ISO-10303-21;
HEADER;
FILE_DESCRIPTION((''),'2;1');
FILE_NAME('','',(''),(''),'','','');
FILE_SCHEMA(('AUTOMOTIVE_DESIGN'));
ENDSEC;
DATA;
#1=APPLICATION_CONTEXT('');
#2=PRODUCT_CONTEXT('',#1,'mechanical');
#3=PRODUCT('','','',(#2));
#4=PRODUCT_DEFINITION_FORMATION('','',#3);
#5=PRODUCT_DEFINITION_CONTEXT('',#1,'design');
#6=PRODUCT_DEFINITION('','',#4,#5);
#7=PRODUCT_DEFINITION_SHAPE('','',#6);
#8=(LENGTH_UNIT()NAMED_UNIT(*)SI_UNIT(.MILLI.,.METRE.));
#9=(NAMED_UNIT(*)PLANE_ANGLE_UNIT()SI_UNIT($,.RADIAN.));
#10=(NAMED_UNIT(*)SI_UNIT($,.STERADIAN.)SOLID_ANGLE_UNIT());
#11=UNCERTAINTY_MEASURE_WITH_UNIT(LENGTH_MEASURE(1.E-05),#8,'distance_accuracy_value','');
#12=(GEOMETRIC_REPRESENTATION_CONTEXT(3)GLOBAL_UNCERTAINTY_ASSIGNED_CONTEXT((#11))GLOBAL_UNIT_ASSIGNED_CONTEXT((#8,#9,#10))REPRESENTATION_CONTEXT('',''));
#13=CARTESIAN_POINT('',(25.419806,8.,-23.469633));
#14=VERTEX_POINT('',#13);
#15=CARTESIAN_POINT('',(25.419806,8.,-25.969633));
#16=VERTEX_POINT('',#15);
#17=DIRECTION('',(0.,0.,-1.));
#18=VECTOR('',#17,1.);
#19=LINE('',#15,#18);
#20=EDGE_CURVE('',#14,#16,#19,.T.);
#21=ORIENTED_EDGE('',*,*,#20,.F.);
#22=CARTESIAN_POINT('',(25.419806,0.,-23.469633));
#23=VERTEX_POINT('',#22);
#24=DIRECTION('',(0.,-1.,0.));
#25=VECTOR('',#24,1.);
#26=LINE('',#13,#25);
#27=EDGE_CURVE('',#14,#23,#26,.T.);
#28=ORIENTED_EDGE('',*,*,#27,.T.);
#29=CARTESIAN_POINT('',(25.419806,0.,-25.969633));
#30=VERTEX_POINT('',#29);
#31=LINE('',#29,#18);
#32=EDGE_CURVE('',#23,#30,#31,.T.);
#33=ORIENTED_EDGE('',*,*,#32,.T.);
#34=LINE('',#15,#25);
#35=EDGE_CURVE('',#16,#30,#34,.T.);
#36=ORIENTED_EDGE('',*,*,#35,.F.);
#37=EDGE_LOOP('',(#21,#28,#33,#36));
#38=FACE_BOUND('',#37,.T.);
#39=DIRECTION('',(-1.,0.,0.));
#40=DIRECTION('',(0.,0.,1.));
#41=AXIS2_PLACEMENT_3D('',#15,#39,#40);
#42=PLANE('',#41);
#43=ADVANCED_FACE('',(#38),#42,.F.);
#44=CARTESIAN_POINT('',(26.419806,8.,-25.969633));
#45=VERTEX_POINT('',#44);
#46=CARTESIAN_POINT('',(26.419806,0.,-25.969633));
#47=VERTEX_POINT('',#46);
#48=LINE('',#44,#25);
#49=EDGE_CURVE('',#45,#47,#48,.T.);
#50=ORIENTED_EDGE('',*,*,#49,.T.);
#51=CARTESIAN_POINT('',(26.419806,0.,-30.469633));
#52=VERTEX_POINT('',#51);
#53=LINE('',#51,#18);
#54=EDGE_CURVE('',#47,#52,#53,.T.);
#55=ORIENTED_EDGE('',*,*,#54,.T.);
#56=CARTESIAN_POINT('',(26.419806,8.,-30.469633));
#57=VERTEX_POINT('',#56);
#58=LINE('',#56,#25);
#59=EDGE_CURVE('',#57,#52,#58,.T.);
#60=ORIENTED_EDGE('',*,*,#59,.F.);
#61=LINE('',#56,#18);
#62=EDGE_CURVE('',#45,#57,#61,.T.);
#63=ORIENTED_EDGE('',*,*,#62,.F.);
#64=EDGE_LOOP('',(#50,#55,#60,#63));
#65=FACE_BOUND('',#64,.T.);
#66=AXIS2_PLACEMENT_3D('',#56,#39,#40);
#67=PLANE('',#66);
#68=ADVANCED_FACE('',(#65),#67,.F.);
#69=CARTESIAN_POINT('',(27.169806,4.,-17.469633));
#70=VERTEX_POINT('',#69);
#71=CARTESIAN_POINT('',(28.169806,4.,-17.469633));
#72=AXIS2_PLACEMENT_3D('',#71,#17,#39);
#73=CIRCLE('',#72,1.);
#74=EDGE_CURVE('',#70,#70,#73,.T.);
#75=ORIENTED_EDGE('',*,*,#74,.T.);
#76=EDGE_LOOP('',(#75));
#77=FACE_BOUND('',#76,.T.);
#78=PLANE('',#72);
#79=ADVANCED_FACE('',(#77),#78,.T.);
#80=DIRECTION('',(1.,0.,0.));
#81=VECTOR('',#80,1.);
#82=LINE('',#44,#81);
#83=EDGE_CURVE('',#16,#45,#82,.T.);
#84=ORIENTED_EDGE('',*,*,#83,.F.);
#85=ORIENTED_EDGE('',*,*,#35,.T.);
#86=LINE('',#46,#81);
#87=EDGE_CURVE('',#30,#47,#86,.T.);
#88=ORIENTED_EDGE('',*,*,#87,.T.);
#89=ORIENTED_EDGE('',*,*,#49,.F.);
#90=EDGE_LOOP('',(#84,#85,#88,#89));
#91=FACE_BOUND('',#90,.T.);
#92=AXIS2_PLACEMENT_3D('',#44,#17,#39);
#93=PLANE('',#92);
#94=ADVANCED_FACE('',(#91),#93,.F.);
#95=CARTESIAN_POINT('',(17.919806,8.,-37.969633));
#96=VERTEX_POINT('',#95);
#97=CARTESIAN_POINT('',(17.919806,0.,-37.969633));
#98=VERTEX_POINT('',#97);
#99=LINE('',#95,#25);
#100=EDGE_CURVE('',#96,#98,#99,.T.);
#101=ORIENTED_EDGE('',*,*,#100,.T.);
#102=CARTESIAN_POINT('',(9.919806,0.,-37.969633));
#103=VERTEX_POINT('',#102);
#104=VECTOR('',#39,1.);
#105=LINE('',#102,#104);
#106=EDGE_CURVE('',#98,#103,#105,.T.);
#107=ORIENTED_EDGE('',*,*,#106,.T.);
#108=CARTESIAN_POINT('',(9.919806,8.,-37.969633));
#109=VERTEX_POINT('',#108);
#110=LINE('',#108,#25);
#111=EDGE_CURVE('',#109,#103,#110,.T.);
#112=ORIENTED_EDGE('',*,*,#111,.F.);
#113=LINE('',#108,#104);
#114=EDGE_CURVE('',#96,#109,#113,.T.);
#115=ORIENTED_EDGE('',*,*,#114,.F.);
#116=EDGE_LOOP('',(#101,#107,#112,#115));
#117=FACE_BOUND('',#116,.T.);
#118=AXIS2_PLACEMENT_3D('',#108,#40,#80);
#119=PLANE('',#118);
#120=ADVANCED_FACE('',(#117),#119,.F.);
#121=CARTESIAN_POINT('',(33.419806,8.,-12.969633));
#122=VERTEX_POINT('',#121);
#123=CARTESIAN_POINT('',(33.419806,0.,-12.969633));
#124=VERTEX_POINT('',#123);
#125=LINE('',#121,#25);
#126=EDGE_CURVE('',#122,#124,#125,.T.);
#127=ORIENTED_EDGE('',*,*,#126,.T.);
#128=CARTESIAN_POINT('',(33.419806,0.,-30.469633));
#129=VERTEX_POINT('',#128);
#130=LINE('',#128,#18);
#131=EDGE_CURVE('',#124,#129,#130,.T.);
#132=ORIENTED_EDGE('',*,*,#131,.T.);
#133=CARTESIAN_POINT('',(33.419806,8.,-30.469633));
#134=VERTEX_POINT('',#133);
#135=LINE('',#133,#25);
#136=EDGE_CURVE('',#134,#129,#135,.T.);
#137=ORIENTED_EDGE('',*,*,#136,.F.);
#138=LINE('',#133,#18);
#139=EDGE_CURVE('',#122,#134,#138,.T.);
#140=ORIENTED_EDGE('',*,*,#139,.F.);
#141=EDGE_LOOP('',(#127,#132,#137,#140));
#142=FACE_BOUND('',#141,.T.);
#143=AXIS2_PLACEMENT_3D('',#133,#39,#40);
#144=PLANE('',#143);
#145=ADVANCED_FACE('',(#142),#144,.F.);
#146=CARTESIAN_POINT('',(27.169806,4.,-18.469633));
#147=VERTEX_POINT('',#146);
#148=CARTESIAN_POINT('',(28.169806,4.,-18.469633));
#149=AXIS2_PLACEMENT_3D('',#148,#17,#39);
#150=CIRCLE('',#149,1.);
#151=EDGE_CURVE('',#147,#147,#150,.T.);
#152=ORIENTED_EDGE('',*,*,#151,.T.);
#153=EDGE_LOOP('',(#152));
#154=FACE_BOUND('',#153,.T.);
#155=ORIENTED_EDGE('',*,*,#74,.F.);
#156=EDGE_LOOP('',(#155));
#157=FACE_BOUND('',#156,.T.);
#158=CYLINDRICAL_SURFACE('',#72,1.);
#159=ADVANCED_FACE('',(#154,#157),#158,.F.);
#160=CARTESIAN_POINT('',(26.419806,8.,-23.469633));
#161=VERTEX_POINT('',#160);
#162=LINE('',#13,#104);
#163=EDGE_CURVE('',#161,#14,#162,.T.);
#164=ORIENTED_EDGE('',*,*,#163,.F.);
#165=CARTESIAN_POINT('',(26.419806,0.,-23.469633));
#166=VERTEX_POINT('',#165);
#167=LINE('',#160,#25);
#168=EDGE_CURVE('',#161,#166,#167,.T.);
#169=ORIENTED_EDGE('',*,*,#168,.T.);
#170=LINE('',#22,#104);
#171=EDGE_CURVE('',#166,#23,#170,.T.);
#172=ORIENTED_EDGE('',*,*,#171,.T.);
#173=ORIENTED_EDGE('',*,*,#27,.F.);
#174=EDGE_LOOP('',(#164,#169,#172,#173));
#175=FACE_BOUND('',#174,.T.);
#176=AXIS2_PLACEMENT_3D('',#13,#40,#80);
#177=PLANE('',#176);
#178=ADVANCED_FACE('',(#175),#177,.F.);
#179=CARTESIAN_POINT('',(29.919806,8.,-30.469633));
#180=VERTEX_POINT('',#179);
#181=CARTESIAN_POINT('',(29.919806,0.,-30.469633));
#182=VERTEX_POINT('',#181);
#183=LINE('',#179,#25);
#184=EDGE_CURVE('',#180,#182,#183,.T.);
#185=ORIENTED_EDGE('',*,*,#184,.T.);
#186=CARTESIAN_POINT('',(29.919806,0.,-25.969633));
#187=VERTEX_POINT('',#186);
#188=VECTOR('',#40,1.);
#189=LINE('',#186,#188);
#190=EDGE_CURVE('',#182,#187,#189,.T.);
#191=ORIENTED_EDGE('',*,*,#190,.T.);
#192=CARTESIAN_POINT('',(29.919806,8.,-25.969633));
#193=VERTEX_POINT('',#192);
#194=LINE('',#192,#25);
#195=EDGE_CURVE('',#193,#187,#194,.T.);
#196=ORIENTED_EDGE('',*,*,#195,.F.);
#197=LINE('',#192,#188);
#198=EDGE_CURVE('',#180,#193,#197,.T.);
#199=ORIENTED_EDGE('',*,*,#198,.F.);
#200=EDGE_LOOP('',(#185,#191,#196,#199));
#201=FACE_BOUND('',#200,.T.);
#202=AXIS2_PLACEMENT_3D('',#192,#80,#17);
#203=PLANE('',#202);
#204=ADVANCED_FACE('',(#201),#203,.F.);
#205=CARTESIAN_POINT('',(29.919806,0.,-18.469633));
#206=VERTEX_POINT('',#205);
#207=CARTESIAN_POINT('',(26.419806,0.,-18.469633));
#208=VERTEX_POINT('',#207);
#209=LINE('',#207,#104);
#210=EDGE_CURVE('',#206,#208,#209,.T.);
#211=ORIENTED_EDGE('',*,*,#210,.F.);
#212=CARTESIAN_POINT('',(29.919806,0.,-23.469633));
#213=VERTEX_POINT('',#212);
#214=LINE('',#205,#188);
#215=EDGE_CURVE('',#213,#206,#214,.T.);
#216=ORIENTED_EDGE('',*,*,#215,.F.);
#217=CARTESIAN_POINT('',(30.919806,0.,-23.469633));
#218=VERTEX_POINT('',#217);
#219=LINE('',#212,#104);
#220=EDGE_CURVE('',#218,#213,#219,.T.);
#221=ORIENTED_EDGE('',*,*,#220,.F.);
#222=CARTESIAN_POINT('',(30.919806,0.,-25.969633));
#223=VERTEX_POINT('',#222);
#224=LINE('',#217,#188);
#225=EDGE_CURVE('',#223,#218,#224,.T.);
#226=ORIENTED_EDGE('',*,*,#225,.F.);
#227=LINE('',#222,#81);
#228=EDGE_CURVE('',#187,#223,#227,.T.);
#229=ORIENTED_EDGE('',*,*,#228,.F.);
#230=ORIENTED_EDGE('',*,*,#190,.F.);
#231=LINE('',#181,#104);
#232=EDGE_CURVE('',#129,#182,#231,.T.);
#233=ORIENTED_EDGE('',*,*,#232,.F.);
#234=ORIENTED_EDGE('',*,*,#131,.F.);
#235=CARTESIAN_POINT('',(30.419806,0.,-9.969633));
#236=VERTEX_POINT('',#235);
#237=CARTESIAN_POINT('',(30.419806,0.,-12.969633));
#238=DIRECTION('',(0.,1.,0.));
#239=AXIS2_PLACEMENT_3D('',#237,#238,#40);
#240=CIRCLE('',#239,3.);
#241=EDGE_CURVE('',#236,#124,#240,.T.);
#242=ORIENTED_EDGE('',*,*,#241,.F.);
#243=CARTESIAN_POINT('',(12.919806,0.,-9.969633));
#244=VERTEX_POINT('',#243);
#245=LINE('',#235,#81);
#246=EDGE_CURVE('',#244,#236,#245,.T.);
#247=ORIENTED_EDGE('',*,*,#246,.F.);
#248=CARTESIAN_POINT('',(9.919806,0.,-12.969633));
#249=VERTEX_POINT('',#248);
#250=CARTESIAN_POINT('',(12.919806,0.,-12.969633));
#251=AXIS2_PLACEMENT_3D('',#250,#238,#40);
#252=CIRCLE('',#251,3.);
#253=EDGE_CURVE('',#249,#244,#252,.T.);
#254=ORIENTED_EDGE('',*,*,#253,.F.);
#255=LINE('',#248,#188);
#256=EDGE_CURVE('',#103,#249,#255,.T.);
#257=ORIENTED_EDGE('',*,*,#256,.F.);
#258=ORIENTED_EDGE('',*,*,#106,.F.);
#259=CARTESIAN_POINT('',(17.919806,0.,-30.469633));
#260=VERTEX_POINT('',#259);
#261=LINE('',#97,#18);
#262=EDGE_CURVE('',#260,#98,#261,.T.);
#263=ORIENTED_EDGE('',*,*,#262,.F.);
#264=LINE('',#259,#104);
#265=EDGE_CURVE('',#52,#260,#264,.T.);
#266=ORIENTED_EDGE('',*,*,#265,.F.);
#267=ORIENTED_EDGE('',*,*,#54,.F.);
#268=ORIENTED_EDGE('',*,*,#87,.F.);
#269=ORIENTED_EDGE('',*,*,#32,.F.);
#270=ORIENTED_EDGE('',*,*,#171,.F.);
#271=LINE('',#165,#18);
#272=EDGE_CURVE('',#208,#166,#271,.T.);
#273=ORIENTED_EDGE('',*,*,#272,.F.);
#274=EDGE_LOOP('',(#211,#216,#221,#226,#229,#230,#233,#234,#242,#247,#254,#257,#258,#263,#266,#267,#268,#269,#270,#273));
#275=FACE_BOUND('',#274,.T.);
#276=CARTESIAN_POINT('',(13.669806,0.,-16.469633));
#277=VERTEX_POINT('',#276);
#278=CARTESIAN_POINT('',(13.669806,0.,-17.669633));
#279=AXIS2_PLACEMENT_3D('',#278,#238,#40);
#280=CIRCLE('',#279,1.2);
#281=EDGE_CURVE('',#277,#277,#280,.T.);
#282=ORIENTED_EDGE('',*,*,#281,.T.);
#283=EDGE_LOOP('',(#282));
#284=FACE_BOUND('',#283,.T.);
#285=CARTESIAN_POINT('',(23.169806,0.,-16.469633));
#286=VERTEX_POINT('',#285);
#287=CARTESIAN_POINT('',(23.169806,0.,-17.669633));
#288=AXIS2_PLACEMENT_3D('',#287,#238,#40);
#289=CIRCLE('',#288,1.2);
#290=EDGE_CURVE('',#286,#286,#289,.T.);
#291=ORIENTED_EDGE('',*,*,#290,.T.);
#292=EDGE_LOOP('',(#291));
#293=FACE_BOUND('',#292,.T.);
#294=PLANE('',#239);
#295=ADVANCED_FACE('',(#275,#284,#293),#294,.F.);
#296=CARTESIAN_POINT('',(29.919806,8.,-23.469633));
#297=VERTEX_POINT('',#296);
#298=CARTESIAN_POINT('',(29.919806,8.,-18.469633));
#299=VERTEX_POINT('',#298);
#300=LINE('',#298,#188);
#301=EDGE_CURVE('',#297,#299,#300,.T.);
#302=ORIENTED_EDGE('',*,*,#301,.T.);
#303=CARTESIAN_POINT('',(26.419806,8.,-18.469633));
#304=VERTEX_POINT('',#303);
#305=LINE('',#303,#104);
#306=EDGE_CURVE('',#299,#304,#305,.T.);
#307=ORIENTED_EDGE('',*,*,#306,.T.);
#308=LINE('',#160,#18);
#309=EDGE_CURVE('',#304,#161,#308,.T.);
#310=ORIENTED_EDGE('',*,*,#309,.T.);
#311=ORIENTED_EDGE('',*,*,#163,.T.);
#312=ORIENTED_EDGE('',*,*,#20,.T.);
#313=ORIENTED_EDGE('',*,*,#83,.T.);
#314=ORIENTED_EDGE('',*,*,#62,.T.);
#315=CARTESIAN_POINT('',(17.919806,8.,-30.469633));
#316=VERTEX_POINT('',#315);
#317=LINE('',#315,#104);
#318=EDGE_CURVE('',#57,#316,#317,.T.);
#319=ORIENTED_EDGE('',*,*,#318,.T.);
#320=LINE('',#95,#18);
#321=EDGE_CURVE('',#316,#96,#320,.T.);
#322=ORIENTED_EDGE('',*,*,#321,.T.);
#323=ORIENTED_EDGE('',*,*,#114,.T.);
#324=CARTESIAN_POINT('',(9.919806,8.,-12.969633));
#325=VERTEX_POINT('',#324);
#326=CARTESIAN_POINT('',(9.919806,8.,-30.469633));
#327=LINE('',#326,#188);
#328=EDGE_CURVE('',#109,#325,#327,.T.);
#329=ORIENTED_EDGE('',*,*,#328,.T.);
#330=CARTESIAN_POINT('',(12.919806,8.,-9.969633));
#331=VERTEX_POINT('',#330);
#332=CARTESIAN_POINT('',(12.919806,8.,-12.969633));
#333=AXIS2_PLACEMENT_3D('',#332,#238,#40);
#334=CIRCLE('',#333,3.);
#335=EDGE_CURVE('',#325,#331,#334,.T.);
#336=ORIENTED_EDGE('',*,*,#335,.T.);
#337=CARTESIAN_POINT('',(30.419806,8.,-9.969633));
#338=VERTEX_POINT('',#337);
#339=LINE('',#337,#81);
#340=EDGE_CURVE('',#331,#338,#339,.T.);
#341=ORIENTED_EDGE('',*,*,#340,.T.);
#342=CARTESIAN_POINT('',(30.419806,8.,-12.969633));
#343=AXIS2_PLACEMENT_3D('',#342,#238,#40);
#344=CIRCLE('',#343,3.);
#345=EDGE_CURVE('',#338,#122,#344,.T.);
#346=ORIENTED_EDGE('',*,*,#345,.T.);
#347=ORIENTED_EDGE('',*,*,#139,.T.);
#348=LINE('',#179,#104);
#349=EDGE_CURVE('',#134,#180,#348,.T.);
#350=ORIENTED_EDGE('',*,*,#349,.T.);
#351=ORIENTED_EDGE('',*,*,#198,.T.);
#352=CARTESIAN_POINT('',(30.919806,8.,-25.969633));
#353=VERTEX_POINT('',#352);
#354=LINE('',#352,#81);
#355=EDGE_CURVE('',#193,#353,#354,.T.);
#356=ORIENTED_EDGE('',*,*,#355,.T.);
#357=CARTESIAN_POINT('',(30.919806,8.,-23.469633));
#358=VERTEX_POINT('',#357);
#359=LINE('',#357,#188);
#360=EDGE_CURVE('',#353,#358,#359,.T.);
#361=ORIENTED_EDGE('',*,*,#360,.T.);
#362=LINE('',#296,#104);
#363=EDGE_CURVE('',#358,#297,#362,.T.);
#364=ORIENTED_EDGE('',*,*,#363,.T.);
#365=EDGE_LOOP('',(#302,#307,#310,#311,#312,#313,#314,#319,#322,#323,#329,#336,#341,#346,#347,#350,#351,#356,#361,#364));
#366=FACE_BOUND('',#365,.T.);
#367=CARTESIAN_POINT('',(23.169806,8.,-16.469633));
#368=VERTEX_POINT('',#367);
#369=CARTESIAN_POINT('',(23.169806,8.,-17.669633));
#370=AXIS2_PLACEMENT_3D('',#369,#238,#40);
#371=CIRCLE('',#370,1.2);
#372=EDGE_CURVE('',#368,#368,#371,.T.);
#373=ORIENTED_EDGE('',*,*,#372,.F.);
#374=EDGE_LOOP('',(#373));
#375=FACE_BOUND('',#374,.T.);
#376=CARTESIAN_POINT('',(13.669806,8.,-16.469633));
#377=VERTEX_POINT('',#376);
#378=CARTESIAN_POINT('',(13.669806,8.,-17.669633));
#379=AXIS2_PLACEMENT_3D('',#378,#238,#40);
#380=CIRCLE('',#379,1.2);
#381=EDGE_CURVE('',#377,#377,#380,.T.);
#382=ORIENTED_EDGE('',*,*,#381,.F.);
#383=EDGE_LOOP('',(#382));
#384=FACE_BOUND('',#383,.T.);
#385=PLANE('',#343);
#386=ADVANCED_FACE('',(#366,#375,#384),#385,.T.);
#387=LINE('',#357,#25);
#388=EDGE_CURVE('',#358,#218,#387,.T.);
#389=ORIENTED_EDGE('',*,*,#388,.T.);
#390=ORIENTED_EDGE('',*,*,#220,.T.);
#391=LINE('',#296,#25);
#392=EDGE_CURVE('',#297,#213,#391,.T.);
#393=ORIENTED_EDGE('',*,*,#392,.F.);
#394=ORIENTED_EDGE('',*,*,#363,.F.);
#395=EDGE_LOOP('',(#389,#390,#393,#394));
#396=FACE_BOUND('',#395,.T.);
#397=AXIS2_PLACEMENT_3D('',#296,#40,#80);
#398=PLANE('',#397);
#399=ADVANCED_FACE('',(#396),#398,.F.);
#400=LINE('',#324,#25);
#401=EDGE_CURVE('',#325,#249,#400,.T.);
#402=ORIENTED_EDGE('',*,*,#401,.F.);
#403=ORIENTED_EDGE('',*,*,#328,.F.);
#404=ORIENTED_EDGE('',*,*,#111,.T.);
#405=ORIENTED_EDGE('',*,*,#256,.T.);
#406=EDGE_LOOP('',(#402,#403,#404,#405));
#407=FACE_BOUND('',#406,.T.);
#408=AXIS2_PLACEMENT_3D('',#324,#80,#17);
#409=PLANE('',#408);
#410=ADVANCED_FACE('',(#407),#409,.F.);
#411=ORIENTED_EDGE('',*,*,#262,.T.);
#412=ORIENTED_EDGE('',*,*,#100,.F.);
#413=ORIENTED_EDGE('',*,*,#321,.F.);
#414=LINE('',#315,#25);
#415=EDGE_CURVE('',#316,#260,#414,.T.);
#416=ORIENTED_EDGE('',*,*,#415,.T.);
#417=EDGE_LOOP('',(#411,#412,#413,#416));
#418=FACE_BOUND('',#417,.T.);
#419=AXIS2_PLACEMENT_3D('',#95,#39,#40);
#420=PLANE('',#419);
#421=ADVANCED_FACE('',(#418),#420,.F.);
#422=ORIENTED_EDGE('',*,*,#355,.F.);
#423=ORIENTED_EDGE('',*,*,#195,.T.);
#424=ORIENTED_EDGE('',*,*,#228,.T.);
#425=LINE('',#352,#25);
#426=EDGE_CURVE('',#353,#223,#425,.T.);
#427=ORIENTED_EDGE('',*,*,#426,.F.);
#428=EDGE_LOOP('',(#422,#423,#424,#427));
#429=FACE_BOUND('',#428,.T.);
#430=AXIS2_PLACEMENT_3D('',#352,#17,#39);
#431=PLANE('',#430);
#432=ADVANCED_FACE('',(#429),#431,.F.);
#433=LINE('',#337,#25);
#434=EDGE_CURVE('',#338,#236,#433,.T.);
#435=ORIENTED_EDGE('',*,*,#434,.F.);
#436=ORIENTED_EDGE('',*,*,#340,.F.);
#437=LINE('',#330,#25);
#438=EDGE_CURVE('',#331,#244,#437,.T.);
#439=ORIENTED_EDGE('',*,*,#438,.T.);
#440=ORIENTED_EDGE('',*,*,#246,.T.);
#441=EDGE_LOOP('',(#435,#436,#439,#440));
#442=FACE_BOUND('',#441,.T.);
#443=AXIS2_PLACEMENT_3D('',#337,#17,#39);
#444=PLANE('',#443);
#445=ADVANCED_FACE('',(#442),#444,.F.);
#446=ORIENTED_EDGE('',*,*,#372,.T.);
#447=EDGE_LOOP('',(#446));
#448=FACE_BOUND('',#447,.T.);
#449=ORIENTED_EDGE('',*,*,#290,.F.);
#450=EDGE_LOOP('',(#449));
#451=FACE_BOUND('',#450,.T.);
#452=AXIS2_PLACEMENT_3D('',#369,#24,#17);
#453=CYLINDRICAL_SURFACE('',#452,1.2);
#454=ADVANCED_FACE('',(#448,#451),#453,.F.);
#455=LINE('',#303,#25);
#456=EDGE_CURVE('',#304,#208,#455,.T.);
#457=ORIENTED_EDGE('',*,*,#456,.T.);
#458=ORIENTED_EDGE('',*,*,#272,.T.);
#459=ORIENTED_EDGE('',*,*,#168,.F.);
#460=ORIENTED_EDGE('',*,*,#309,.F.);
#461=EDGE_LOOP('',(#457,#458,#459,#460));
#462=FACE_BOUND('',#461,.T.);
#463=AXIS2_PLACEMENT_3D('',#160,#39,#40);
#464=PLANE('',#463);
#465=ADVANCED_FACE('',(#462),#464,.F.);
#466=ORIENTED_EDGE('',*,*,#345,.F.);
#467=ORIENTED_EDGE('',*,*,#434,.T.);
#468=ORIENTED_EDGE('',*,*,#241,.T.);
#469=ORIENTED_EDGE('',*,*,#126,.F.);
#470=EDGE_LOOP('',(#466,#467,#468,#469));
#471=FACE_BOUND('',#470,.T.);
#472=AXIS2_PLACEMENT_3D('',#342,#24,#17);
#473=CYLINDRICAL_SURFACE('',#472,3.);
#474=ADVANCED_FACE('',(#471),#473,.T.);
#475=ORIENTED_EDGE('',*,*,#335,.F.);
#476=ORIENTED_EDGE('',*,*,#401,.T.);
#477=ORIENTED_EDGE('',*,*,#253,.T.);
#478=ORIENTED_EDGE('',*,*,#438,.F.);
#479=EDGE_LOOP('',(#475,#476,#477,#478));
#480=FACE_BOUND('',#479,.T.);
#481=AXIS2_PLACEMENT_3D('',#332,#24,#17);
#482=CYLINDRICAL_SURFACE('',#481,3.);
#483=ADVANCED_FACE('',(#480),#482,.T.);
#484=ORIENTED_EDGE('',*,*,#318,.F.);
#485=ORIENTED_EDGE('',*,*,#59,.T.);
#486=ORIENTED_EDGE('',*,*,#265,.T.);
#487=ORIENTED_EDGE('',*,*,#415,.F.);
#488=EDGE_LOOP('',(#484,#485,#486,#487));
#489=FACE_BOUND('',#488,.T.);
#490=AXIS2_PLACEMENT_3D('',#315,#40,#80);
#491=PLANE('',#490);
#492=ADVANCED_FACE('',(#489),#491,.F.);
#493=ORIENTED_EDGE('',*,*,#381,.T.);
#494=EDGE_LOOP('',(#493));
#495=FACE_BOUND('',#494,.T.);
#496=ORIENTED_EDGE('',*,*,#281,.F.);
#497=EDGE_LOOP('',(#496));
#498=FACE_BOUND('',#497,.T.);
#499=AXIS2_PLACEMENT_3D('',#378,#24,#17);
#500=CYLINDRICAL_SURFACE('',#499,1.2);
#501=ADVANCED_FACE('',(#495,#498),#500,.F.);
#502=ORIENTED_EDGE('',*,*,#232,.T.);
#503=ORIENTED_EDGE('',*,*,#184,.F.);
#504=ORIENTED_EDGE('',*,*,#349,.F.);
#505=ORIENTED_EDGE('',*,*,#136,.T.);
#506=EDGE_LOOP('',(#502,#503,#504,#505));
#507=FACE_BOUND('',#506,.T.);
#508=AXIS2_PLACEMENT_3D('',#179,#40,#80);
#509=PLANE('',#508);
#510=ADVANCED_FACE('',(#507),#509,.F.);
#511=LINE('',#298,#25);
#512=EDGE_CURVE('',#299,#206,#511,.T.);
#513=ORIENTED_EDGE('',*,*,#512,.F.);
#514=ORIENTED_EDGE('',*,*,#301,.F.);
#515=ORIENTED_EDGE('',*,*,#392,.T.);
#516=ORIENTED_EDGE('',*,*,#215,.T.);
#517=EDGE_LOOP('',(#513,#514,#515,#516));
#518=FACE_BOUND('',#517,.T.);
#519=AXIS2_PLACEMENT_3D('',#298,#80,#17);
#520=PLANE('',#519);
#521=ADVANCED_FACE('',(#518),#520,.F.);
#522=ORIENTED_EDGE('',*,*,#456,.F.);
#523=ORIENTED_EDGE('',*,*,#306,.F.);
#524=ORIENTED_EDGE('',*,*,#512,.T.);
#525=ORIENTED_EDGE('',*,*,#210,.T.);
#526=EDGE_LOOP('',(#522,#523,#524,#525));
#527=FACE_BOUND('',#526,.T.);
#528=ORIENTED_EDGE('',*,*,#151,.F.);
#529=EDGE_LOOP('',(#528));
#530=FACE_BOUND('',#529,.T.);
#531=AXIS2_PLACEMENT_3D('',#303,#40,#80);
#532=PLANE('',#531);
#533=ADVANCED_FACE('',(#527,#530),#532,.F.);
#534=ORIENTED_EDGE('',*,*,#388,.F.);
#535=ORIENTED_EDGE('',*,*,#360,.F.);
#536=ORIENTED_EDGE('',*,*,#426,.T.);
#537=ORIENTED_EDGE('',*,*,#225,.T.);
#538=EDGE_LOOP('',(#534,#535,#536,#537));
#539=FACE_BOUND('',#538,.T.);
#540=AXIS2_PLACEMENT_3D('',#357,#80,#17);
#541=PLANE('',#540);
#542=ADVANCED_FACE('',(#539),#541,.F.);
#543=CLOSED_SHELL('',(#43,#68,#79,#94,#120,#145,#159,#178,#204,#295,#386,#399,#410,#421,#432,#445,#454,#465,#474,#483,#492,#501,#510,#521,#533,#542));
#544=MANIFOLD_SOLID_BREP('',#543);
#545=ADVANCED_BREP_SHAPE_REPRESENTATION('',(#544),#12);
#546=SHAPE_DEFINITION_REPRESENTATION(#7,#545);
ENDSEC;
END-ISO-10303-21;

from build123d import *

# Parameters (mm, degrees)
SKETCH1_R      = 1.2
EXTRUDE1_DEPTH = 8
SKETCH2_R      = 1
EXTRUDE2_DEPTH = 1


with BuildPart() as part:
    # Sketch1 → Extrude1 (new body)
    with BuildSketch(Plane(origin=(0, 0, 0), x_dir=(1, 0, 0), z_dir=(0, 1, 0))):
        with BuildLine():
            Line((26.419805568, 30.469633485), (26.419805568, 25.969633485))
            Line((26.419805568, 25.969633485), (25.419805568, 25.969633485))
            Line((25.419805568, 25.969633485), (25.419805568, 23.469633485))
            Line((25.419805568, 23.469633485), (26.419805568, 23.469633485))
            Line((26.419805568, 23.469633485), (26.419805568, 18.469633485))
            Line((26.419805568, 18.469633485), (29.919805568, 18.469633485))
            Line((29.919805568, 18.469633485), (29.919805568, 23.469633485))
            Line((29.919805568, 23.469633485), (30.919805568, 23.469633485))
            Line((30.919805568, 23.469633485), (30.919805568, 25.969633485))
            Line((30.919805568, 25.969633485), (29.919805568, 25.969633485))
            Line((29.919805568, 25.969633485), (29.919805568, 30.469633485))
            Line((29.919805568, 30.469633485), (33.419805568, 30.469633485))
            Line((33.419805568, 30.469633485), (33.419805568, 12.969633485))
            ThreePointArc((33.419805568, 12.969633485), (32.541125911, 10.848313142), (30.419805568, 9.969633485))
            Line((30.419805568, 9.969633485), (12.919805568, 9.969633485))
            ThreePointArc((12.919805568, 9.969633485), (10.798485224, 10.848313142), (9.919805568, 12.969633485))
            Line((9.919805568, 12.969633485), (9.919805568, 30.469633485))
            Line((9.919805568, 30.469633485), (9.919805568, 37.969633485))
            Line((9.919805568, 37.969633485), (17.919805568, 37.969633485))
            Line((17.919805568, 37.969633485), (17.919805568, 30.469633485))
            Line((17.919805568, 30.469633485), (26.419805568, 30.469633485))
        make_face()
        with Locations(Location((23.169805568, 17.669633485, 0), (0, 0, 270))):
            Circle(SKETCH1_R, mode=Mode.SUBTRACT)
        with Locations(Location((13.669805568, 17.669633485, 0), (0, 0, 270))):
            Circle(SKETCH1_R, mode=Mode.SUBTRACT)
    extrude(amount=EXTRUDE1_DEPTH)

    # Sketch2 → Extrude2 (cut)
    with BuildSketch(Plane(origin=(0, 0, -18.469633485), x_dir=(-1, 0, 0), z_dir=(0, 0, -1))):
        with Locations((-28.169805568, 4)):
            Circle(SKETCH2_R)
    extrude(amount=-EXTRUDE2_DEPTH, mode=Mode.SUBTRACT)


solid = part.part
